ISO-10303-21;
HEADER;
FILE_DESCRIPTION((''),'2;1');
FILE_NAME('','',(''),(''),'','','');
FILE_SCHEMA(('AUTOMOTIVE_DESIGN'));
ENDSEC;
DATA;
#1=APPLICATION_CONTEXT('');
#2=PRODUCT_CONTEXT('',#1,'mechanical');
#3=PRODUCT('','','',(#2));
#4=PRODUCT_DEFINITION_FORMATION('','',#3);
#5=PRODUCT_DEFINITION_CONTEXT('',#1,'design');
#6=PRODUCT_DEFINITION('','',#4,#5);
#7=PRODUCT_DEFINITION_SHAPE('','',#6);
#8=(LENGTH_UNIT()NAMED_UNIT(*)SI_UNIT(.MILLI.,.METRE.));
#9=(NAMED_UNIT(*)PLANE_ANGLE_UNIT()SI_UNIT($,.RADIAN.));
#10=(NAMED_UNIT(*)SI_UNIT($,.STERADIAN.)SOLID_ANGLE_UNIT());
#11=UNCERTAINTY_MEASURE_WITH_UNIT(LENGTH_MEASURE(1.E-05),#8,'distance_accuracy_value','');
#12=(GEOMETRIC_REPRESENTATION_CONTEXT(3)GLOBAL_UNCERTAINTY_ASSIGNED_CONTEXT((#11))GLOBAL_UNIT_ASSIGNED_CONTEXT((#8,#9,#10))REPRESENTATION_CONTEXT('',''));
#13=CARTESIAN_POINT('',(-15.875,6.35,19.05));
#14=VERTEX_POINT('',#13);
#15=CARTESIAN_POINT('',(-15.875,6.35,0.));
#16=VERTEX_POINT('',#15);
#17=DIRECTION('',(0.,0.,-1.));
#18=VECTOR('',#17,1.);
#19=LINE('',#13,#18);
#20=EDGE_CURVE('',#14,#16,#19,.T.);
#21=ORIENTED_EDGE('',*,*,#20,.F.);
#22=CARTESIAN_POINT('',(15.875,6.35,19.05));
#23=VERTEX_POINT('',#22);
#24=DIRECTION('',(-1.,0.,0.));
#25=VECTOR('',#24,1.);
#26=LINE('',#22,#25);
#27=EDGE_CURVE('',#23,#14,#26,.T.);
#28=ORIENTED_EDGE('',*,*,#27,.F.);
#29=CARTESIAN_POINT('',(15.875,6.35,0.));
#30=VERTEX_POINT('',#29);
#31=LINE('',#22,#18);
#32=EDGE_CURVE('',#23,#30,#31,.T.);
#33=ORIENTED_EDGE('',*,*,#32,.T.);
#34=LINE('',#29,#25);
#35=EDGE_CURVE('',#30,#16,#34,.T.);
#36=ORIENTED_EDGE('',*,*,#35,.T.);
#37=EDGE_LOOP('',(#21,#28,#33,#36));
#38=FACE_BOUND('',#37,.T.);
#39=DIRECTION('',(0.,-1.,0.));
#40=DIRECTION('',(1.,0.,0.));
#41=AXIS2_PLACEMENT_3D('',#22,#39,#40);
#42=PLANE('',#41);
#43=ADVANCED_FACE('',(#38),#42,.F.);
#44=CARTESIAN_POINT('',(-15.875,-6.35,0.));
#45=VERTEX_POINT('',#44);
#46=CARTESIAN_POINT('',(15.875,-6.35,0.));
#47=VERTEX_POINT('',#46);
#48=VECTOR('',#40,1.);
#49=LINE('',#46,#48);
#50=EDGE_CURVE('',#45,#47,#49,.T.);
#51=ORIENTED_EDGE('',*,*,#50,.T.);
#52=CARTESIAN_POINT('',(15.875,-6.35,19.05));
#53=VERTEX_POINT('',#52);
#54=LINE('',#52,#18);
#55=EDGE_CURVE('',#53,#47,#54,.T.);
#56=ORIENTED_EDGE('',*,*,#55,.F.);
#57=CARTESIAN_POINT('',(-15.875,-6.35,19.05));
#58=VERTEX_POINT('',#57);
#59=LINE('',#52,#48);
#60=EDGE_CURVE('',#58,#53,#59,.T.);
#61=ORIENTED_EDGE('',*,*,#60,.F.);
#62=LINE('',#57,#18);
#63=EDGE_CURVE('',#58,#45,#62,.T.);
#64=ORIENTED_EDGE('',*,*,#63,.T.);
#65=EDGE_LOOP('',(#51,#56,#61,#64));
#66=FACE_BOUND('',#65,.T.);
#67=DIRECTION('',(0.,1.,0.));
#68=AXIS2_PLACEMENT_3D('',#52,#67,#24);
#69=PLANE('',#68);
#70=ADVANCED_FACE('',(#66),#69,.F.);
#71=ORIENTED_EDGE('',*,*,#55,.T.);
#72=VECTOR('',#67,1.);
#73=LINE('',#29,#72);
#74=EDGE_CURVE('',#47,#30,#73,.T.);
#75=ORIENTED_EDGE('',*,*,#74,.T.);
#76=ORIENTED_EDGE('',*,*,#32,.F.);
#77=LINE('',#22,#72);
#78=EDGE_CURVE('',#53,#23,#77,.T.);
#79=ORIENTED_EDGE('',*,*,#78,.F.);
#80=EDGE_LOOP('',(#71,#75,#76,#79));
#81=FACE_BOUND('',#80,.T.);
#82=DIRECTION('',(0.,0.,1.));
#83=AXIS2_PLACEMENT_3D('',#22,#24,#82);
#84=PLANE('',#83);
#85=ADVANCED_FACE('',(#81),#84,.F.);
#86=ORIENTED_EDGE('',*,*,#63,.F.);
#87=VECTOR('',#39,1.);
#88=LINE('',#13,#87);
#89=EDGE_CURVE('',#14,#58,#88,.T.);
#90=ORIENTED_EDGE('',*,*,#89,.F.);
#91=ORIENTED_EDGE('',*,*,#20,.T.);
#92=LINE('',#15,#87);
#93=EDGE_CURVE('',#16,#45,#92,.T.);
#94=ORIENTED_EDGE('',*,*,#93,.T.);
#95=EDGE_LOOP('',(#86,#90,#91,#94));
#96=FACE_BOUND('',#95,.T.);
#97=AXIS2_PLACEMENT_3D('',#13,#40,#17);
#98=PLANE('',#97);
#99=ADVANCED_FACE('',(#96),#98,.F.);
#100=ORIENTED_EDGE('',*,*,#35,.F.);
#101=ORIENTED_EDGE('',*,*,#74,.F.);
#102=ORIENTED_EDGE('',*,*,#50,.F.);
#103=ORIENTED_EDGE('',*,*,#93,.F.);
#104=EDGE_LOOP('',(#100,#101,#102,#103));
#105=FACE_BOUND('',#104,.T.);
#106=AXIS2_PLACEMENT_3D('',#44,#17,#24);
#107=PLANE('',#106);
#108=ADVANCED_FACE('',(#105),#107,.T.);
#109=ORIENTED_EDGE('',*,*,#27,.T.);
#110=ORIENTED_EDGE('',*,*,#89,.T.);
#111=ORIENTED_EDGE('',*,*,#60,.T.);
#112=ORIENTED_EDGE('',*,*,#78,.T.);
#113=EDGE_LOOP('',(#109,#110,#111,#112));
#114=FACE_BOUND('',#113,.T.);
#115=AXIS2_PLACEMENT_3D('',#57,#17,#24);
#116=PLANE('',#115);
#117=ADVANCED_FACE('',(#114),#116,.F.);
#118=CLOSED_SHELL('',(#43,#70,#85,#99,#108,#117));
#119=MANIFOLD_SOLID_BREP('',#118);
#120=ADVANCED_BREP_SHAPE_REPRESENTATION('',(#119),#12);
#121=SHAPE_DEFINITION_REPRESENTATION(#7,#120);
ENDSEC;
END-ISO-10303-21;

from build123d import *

# Parameters (mm, degrees)
SKETCH1_W           = 31.75
SKETCH1_H           = 12.7
BOSS_EXTRUDE1_DEPTH = 19.05


with BuildPart() as part:
    # Sketch1 → Boss-Extrude1 (new body)
    with BuildSketch(Plane.XY):
        Rectangle(SKETCH1_W, SKETCH1_H)
    extrude(amount=BOSS_EXTRUDE1_DEPTH)


solid = part.part
